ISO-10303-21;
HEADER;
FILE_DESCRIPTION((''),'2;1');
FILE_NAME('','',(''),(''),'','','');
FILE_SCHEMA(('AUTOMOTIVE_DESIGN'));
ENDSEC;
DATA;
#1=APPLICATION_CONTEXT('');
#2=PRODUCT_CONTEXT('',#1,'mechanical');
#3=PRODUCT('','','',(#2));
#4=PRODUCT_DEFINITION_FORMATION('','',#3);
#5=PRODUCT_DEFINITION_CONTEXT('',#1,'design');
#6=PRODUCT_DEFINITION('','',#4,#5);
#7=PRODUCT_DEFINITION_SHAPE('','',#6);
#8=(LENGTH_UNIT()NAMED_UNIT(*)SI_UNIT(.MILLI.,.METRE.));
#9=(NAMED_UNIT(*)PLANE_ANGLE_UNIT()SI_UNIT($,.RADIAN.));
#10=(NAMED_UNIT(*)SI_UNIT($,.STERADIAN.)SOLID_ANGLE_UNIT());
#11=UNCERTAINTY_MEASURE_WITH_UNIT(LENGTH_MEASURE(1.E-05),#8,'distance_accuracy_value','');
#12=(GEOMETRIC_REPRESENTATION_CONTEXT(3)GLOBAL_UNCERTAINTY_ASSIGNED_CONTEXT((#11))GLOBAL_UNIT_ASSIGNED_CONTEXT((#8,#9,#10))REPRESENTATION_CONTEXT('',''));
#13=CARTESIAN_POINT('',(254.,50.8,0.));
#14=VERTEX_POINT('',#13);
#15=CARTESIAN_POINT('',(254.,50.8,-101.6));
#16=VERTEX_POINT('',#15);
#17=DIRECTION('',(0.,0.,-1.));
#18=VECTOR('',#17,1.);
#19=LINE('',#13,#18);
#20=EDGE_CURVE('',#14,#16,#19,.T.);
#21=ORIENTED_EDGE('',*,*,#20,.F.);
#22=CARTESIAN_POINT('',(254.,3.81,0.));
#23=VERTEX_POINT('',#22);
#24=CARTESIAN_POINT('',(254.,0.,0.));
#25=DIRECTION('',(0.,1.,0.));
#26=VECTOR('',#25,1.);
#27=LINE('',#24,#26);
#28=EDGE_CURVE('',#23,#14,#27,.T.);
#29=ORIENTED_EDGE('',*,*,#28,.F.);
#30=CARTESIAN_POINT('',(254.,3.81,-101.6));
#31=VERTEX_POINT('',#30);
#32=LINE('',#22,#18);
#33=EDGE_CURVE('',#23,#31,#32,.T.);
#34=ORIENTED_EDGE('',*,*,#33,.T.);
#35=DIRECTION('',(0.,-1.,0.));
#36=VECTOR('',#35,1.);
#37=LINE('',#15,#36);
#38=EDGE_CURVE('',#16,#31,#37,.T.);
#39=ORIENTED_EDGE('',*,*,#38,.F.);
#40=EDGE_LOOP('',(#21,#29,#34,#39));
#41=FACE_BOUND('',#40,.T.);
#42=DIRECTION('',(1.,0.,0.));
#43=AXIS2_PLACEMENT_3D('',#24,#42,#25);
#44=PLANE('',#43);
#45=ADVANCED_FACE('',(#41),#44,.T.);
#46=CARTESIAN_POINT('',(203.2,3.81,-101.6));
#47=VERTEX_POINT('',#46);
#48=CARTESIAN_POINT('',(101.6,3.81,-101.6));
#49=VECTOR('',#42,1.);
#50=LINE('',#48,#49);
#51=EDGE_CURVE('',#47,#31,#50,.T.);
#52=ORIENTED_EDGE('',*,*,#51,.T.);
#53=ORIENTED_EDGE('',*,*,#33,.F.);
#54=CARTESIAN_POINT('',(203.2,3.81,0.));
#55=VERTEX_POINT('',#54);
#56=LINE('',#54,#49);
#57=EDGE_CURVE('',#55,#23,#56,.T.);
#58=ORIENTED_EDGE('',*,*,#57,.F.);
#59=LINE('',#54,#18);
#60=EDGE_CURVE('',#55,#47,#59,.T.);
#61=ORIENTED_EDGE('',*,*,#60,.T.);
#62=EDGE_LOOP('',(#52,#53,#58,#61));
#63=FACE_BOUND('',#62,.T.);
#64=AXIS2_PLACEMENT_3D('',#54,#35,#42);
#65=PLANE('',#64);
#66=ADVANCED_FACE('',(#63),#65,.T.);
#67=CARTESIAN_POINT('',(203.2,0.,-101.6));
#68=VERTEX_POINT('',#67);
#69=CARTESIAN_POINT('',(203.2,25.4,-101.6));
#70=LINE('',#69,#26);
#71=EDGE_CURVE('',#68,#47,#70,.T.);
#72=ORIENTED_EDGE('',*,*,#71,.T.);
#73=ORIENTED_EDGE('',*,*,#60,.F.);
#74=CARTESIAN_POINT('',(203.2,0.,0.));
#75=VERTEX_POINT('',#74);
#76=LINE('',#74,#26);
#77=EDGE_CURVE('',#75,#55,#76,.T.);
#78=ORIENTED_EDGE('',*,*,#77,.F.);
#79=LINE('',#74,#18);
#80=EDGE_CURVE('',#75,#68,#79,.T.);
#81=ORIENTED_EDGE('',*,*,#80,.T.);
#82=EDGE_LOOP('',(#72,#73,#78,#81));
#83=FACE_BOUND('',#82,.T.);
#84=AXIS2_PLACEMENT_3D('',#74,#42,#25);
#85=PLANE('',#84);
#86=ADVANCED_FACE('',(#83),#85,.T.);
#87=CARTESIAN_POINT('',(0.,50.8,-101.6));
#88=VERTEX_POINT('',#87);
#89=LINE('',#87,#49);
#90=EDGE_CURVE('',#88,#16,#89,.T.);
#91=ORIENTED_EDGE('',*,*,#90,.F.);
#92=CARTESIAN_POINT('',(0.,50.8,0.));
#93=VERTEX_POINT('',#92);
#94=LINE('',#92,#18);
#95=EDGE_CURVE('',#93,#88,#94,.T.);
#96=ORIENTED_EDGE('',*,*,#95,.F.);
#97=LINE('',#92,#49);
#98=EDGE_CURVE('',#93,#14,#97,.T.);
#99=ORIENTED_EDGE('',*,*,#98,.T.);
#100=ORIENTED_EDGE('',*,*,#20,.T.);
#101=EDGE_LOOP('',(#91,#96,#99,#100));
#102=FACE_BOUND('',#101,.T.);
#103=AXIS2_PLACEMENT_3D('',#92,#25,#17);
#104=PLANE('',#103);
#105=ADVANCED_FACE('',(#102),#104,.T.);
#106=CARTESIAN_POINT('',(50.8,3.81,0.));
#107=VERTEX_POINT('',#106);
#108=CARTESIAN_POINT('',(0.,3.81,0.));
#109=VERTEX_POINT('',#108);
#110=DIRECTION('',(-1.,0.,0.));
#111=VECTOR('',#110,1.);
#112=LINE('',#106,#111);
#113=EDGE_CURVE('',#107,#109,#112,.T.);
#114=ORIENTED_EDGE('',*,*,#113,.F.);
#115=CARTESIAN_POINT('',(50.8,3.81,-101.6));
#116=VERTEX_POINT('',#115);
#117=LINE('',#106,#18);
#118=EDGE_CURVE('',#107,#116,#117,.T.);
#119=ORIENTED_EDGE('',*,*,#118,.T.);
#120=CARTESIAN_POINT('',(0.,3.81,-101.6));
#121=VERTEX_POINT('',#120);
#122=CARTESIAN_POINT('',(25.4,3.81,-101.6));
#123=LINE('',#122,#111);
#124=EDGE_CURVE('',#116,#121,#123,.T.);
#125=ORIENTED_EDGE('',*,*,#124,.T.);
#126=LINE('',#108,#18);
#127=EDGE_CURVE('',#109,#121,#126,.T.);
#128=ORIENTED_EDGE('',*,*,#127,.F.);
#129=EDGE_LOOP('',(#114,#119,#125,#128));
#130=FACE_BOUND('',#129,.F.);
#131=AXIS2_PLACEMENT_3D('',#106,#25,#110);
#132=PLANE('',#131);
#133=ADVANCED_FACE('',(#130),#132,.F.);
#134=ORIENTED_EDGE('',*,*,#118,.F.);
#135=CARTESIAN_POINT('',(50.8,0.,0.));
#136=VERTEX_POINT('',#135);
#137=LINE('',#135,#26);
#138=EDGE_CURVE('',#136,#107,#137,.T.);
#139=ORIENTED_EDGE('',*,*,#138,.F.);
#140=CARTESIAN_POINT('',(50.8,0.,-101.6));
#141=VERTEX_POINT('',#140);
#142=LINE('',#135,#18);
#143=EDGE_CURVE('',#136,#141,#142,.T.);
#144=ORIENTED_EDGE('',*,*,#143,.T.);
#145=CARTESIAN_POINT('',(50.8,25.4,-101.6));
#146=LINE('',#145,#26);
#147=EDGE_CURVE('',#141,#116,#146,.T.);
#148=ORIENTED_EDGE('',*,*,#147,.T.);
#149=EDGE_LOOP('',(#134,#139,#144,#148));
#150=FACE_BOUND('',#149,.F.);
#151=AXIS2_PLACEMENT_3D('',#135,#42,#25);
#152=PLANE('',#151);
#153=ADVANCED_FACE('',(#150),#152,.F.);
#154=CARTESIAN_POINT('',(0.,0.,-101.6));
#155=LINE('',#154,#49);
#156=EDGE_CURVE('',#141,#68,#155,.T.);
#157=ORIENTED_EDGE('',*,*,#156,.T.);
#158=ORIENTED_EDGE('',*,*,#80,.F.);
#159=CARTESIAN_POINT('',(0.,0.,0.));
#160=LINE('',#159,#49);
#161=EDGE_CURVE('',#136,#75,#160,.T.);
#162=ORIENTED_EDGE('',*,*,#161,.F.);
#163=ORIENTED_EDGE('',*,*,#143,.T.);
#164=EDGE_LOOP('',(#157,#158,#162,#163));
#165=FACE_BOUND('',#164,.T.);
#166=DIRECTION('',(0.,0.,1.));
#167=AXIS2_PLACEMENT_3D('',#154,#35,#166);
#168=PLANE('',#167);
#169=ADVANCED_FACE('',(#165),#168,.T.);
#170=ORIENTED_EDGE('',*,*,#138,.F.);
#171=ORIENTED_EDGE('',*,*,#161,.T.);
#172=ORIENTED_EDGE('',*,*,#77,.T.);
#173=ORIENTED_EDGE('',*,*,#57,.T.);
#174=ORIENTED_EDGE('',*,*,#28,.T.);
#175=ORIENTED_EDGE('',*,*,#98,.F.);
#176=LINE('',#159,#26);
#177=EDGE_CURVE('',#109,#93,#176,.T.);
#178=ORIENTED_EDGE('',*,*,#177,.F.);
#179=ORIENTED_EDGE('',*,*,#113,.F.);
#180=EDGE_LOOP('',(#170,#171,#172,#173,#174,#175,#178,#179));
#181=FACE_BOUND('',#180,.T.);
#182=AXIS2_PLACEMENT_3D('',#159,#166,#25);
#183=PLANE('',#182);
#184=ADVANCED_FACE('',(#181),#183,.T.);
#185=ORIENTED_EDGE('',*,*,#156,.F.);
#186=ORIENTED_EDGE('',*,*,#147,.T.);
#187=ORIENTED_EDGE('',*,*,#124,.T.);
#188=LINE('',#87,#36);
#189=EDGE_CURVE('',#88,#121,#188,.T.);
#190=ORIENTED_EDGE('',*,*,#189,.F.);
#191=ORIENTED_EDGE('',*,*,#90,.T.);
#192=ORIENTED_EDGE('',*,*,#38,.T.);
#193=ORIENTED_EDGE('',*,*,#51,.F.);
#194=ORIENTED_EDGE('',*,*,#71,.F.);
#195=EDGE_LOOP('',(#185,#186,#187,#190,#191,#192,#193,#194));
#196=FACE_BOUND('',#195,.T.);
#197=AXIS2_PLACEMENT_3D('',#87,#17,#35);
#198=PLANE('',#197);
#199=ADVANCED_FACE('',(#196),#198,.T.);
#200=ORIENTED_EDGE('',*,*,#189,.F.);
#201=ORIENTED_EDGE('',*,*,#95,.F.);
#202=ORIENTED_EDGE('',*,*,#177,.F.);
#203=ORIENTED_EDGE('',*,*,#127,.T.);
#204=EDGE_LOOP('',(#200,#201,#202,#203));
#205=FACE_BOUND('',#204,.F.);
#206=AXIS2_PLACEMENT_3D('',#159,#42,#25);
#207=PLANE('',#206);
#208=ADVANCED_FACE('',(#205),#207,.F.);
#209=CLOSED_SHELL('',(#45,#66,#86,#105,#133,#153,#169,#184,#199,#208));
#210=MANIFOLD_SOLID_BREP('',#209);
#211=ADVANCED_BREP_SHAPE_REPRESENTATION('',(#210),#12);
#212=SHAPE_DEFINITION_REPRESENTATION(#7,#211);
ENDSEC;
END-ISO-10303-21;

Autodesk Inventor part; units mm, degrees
ref_plane "YZ Plane" through (0, 0, 0) normal (1, 0, 0) x (0, 1, 0)
ref_plane "XZ Plane" through (0, 0, 0) normal (0, 1, 0) x (-1, 0, 0)
ref_plane "XY Plane" through (0, 0, 0) normal (0, 0, 1) x (1, 0, 0)
sketch "Sketch1" plane through (0, 0, 0) normal (1, 0, 0) x (0, 1, 0)
  line L0 (0, 0) -> (50.8, 0)
  line L1 (50.8, 0) -> (50.8, -101.6)
  line L2 (50.8, -101.6) -> (0, -101.6)
  line L3 (0, -101.6) -> (0, 0)
  dimension "d0" = 50.8
  dimension "d1" = 101.6
extrude "Extrusion1" add sketch "Sketch1" along normal blind 254
sketch "Sketch2" plane through (0, 0, 0) normal (0, 0, 1) x (1, 0, 0)
  line L0 (0, 0) -> (0, 50.8) projected
  line L1 (0, 0) -> (254, 0) projected
  line L2 (254, 50.8) -> (254, 0) projected
  line L3 (0, 50.8) -> (254, 50.8) projected
  line L4 (0, 0) -> (254, 0) projected
  line L5 (50.8, 0) -> (50.8, 3.81)
  line L6 (50.8, 3.81) -> (0, 3.81)
  line L7 (0, 0) -> (0, 50.8) projected
  line L8 (127, 0) -> (127, 50.8) construction
  line L9 (203.2, 0) -> (203.2, 3.81)
  line L10 (203.2, 3.81) -> (254, 3.81)
  line L11 (50.8, 0) -> (0, 0)
  line L12 (203.2, 0) -> (254, 0)
  line L13 (254, 50.8) -> (254, 0) projected
  line L14 (254, 3.81) -> (254, 0)
  dimension "d4" = 3.81
  dimension "d5" = 90
  dimension "d6" = 50.8
extrude "Extrusion2" cut sketch "Sketch2" against normal up to next contours L0 L6 L5 L1 | L9 L10 L2 L1
properties part number "lifterBase"
